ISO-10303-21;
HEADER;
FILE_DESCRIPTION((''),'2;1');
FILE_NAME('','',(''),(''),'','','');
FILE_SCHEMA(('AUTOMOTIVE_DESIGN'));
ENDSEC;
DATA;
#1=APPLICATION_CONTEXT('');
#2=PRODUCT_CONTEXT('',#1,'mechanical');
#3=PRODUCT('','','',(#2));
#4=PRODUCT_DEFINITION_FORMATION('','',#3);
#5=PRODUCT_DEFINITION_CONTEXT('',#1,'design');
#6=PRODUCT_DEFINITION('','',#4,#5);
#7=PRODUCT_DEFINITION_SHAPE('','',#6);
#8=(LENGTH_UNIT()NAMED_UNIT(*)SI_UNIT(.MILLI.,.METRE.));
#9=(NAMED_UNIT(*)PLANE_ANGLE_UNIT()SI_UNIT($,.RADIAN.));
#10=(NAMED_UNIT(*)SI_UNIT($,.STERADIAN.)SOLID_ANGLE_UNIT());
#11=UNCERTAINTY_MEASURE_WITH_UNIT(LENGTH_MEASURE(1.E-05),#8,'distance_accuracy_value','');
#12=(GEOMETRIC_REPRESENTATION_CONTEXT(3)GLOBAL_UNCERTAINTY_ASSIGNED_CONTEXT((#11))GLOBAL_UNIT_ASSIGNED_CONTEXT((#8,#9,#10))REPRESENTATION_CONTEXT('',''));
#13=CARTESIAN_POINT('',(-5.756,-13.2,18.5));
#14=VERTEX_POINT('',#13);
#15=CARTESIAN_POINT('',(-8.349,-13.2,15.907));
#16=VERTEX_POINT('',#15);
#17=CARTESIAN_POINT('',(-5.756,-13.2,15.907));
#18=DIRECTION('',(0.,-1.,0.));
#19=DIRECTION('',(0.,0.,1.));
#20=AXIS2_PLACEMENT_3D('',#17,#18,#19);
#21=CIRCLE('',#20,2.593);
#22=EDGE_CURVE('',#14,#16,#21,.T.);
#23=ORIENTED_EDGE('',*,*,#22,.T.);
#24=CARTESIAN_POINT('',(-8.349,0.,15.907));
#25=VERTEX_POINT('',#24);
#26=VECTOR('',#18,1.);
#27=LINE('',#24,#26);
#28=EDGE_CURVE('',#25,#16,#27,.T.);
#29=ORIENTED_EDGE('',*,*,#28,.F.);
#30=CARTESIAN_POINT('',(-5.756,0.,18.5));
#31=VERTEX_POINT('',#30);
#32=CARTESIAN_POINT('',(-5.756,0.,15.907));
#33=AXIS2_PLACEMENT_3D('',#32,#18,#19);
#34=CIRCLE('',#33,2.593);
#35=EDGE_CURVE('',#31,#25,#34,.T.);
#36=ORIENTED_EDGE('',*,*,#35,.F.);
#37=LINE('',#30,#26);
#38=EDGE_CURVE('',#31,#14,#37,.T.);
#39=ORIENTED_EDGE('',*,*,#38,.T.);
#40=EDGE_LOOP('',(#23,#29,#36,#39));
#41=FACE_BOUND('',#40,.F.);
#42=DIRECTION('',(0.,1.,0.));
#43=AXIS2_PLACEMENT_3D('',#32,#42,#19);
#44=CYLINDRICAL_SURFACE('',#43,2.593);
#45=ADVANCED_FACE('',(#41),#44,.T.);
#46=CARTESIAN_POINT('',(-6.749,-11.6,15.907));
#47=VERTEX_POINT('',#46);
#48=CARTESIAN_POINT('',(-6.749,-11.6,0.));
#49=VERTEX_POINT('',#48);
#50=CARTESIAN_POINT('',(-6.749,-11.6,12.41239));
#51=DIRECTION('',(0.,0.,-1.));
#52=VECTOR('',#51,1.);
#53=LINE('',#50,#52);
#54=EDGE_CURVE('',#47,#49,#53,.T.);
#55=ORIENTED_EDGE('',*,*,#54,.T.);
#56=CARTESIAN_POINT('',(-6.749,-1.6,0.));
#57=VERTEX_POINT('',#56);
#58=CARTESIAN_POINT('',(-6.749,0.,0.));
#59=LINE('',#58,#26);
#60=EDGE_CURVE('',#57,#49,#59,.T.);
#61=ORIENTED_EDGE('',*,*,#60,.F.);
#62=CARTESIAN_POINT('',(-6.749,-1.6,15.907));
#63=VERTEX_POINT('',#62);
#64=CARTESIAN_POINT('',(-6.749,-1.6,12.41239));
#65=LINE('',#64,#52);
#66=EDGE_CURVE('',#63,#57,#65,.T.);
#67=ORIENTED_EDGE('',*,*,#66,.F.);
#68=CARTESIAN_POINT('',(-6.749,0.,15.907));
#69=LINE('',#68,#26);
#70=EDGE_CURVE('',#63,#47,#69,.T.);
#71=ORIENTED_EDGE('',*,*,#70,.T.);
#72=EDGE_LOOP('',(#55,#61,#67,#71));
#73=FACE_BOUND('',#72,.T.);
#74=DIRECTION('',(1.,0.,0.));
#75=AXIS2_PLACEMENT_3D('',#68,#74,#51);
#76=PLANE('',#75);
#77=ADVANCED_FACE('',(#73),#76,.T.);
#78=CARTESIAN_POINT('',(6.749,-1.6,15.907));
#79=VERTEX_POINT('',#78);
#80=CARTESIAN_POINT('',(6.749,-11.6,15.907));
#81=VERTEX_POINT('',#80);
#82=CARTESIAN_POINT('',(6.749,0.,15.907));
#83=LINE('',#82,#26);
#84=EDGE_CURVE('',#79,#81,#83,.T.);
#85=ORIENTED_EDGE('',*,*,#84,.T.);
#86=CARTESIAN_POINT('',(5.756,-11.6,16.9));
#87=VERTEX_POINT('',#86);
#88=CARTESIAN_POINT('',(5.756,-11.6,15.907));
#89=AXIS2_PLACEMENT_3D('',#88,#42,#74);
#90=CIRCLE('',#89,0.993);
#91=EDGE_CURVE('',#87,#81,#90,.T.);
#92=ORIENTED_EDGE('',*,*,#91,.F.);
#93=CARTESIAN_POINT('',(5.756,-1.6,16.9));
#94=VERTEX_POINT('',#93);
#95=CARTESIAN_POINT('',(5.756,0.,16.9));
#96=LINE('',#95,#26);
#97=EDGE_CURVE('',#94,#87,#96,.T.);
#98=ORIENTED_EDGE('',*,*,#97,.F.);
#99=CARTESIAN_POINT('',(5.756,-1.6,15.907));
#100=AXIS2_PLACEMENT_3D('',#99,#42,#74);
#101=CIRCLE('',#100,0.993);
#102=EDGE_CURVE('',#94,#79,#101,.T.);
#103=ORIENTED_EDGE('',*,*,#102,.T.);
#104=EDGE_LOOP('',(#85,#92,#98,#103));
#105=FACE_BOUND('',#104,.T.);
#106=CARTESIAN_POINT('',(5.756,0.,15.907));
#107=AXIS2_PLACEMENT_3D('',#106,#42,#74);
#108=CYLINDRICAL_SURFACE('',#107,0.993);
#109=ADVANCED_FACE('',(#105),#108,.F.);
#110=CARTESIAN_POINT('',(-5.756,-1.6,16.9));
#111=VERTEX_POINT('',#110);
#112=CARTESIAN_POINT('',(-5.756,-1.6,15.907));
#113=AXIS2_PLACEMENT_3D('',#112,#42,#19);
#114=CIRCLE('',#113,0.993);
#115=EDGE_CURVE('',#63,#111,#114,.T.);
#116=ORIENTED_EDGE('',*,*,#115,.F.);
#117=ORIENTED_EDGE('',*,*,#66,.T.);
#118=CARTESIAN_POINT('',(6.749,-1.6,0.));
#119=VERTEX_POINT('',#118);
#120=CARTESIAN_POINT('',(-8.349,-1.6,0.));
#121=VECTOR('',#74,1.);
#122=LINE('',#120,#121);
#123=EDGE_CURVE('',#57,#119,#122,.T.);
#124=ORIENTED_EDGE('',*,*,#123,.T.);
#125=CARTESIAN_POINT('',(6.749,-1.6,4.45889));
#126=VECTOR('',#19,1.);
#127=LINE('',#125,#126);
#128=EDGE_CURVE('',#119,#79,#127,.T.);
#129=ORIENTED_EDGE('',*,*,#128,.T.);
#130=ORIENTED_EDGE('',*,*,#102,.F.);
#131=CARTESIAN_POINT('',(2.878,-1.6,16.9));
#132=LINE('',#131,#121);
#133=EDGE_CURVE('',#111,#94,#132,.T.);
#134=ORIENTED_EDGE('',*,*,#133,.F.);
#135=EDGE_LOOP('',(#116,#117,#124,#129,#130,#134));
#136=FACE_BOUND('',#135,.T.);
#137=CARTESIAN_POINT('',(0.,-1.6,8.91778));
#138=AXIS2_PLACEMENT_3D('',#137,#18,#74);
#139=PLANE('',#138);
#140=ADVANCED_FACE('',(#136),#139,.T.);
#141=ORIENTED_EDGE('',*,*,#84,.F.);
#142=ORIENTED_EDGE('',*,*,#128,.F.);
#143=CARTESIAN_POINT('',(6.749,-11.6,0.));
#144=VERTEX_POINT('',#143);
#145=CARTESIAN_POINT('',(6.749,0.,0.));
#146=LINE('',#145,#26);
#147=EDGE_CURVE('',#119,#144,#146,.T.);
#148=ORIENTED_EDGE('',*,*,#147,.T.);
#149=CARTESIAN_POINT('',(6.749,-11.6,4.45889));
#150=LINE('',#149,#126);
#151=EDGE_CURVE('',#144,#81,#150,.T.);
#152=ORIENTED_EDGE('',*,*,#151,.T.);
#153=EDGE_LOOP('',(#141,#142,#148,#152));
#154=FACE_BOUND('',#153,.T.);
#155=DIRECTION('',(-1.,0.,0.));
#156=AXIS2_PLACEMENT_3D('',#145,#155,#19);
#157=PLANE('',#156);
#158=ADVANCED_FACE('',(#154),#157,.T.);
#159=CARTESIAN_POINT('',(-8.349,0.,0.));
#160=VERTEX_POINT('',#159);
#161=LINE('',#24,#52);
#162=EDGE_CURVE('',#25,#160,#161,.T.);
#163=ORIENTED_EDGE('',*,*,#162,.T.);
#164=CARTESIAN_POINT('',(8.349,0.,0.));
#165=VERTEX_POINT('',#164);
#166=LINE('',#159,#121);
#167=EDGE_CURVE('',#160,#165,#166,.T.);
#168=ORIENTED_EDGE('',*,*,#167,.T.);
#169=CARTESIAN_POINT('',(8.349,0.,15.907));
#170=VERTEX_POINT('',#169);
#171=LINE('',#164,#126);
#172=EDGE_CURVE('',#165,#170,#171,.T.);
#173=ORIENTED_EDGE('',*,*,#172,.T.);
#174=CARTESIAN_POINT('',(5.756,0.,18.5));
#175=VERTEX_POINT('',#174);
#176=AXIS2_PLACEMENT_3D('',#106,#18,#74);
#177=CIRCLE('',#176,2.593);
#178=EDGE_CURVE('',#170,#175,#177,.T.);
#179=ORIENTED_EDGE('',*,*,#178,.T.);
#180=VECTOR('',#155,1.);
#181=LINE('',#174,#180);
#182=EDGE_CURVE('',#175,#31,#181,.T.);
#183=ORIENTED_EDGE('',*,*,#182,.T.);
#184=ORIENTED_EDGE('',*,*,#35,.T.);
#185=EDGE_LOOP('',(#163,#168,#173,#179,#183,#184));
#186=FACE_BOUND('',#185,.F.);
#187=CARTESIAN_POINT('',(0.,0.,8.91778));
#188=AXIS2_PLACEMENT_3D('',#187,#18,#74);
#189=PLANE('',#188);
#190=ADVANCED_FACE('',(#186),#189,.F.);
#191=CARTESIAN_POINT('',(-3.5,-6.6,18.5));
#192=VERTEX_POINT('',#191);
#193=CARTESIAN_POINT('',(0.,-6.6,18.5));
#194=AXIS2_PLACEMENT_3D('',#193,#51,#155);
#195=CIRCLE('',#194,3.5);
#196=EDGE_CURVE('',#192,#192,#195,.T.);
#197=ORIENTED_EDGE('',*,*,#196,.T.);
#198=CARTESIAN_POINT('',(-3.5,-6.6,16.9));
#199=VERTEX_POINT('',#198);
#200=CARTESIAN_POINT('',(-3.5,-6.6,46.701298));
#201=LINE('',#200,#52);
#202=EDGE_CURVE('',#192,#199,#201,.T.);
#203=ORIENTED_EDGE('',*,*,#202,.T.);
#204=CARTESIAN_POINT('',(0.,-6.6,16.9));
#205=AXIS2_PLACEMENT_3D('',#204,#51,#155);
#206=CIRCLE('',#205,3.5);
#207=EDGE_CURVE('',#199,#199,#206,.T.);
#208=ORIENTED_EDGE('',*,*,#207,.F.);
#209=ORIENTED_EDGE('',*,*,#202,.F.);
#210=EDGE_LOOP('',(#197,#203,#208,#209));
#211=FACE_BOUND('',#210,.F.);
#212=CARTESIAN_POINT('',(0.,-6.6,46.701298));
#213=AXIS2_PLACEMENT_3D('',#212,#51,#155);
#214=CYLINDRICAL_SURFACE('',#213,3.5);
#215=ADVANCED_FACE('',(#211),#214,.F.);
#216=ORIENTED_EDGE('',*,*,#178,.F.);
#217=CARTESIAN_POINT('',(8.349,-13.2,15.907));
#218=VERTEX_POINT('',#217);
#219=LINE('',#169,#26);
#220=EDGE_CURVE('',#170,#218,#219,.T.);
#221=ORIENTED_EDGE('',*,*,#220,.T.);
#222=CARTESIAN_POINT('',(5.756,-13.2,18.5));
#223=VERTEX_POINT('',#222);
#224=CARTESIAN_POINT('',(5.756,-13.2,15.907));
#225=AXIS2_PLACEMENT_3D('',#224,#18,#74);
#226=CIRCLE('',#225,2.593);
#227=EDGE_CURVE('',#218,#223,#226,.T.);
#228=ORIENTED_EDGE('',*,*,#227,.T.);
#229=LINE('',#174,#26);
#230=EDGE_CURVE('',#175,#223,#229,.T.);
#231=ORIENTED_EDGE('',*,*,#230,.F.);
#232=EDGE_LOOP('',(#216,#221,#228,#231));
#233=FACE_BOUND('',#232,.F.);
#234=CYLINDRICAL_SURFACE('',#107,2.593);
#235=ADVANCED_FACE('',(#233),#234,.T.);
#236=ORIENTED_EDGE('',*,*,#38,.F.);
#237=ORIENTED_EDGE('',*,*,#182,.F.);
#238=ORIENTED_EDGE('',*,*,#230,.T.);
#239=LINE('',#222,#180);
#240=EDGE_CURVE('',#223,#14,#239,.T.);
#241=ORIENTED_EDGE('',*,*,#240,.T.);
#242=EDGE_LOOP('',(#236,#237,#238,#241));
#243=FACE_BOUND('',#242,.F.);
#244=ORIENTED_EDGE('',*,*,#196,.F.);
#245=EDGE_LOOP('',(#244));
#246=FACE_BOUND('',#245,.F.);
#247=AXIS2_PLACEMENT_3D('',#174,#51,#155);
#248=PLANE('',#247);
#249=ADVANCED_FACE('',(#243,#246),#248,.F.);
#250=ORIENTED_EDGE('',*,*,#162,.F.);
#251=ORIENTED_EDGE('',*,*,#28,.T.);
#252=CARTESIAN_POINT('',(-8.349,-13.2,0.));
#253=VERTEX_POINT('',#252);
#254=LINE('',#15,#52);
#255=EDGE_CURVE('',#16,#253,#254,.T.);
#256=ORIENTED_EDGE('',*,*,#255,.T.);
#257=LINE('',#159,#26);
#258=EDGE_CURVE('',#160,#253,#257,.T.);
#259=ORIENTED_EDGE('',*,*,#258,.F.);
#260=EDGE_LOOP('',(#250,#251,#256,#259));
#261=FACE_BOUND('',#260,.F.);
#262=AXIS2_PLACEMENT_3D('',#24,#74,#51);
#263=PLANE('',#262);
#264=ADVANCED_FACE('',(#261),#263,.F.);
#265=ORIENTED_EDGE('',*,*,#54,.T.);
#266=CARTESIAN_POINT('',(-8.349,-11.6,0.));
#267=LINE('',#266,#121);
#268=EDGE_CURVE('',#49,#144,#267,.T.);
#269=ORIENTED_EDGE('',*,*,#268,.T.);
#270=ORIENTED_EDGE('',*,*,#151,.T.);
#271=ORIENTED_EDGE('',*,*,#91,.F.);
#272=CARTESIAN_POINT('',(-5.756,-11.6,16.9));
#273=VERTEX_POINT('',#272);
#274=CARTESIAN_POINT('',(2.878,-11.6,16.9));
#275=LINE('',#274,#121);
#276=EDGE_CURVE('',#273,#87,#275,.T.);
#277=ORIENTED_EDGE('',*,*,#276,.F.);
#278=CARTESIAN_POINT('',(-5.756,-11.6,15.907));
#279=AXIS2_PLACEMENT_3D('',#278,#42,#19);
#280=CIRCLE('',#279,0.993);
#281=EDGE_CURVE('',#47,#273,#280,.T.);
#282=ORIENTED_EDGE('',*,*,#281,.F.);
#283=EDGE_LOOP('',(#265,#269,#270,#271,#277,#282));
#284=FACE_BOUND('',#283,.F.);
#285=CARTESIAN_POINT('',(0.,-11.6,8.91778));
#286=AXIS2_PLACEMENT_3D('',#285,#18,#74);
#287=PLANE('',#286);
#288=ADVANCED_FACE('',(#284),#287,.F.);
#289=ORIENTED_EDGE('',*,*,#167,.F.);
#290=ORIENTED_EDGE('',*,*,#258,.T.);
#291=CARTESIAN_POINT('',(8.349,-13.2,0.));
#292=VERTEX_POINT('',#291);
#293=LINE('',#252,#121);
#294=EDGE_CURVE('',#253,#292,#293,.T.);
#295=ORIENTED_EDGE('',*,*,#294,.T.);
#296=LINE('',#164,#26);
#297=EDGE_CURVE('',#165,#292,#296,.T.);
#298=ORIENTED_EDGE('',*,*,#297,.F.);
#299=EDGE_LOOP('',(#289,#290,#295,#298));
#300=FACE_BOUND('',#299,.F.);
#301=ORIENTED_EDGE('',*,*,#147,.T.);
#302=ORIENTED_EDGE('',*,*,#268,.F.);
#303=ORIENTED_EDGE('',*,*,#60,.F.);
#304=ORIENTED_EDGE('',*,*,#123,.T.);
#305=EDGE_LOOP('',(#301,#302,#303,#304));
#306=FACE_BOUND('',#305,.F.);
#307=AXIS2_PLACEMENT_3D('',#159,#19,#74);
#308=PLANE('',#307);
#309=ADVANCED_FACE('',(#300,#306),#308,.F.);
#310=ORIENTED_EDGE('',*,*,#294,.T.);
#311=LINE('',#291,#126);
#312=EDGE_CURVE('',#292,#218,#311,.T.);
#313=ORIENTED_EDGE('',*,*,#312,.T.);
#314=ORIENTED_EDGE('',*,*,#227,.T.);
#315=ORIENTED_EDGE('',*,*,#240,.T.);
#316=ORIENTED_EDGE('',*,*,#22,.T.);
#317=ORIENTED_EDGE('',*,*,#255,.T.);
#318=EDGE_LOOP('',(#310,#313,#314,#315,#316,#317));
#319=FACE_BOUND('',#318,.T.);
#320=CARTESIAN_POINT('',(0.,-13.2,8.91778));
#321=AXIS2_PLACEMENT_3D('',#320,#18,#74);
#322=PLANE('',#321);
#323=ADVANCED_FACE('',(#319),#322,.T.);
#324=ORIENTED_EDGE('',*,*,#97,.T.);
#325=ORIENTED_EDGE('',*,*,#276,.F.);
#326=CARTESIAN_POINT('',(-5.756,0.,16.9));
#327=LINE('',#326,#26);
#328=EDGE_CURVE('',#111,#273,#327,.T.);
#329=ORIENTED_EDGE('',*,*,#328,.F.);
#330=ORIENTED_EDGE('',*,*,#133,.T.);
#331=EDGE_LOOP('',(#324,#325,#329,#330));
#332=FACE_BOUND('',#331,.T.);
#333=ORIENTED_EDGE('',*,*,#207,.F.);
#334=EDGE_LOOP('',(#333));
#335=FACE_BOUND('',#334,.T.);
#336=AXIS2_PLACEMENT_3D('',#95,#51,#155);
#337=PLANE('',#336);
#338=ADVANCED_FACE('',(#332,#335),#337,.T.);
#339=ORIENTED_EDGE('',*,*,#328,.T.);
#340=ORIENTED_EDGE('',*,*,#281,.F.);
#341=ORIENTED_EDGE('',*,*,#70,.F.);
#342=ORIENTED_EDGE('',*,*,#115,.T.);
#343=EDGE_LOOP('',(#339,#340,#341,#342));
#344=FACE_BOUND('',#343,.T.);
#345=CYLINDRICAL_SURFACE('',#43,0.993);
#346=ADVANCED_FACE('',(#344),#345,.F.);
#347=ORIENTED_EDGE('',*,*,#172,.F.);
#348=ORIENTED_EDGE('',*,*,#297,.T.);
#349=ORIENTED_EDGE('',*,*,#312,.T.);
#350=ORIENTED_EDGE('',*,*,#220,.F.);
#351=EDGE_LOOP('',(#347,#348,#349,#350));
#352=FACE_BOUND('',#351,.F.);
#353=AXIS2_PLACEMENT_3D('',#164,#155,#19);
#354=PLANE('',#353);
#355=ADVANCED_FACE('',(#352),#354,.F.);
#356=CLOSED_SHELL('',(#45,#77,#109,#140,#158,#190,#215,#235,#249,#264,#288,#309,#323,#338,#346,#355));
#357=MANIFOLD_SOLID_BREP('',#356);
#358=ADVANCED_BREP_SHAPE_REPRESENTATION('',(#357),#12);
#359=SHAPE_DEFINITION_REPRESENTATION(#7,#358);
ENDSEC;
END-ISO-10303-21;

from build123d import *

# Parameters (mm, degrees)
F1_DEPTH = 13.2
F2_T     = -1.6
F4_D     = 7


with BuildPart() as f1:
    # F0 (on Front) → F1 (new body)
    with BuildSketch(Plane.XZ):
        with BuildLine():
            Line((-8.349, 15.907), (-8.349, 0))
            Line((-8.349, 0), (8.349, 0))
            Line((8.349, 0), (8.349, 15.907))
            ThreePointArc((8.349, 15.907), (7.5895278836, 17.7405278836), (5.756, 18.5))
            Line((5.756, 18.5), (-5.756, 18.5))
            ThreePointArc((-5.756, 18.5), (-7.5895278836, 17.7405278836), (-8.349, 15.907))
        make_face()
    extrude(amount=F1_DEPTH)

    # F2
    f2_openings = [f1.faces().sort_by_distance(p)[0] for p in [
        (0, -6.6, 0),
    ]]
    offset(amount=F2_T, openings=f2_openings)

    # F4 (through all)
    with Locations(Plane.XY.offset(18.5)):
        with Locations((0, -6.6)):
            Hole(F4_D / 2)


solid = f1.part
